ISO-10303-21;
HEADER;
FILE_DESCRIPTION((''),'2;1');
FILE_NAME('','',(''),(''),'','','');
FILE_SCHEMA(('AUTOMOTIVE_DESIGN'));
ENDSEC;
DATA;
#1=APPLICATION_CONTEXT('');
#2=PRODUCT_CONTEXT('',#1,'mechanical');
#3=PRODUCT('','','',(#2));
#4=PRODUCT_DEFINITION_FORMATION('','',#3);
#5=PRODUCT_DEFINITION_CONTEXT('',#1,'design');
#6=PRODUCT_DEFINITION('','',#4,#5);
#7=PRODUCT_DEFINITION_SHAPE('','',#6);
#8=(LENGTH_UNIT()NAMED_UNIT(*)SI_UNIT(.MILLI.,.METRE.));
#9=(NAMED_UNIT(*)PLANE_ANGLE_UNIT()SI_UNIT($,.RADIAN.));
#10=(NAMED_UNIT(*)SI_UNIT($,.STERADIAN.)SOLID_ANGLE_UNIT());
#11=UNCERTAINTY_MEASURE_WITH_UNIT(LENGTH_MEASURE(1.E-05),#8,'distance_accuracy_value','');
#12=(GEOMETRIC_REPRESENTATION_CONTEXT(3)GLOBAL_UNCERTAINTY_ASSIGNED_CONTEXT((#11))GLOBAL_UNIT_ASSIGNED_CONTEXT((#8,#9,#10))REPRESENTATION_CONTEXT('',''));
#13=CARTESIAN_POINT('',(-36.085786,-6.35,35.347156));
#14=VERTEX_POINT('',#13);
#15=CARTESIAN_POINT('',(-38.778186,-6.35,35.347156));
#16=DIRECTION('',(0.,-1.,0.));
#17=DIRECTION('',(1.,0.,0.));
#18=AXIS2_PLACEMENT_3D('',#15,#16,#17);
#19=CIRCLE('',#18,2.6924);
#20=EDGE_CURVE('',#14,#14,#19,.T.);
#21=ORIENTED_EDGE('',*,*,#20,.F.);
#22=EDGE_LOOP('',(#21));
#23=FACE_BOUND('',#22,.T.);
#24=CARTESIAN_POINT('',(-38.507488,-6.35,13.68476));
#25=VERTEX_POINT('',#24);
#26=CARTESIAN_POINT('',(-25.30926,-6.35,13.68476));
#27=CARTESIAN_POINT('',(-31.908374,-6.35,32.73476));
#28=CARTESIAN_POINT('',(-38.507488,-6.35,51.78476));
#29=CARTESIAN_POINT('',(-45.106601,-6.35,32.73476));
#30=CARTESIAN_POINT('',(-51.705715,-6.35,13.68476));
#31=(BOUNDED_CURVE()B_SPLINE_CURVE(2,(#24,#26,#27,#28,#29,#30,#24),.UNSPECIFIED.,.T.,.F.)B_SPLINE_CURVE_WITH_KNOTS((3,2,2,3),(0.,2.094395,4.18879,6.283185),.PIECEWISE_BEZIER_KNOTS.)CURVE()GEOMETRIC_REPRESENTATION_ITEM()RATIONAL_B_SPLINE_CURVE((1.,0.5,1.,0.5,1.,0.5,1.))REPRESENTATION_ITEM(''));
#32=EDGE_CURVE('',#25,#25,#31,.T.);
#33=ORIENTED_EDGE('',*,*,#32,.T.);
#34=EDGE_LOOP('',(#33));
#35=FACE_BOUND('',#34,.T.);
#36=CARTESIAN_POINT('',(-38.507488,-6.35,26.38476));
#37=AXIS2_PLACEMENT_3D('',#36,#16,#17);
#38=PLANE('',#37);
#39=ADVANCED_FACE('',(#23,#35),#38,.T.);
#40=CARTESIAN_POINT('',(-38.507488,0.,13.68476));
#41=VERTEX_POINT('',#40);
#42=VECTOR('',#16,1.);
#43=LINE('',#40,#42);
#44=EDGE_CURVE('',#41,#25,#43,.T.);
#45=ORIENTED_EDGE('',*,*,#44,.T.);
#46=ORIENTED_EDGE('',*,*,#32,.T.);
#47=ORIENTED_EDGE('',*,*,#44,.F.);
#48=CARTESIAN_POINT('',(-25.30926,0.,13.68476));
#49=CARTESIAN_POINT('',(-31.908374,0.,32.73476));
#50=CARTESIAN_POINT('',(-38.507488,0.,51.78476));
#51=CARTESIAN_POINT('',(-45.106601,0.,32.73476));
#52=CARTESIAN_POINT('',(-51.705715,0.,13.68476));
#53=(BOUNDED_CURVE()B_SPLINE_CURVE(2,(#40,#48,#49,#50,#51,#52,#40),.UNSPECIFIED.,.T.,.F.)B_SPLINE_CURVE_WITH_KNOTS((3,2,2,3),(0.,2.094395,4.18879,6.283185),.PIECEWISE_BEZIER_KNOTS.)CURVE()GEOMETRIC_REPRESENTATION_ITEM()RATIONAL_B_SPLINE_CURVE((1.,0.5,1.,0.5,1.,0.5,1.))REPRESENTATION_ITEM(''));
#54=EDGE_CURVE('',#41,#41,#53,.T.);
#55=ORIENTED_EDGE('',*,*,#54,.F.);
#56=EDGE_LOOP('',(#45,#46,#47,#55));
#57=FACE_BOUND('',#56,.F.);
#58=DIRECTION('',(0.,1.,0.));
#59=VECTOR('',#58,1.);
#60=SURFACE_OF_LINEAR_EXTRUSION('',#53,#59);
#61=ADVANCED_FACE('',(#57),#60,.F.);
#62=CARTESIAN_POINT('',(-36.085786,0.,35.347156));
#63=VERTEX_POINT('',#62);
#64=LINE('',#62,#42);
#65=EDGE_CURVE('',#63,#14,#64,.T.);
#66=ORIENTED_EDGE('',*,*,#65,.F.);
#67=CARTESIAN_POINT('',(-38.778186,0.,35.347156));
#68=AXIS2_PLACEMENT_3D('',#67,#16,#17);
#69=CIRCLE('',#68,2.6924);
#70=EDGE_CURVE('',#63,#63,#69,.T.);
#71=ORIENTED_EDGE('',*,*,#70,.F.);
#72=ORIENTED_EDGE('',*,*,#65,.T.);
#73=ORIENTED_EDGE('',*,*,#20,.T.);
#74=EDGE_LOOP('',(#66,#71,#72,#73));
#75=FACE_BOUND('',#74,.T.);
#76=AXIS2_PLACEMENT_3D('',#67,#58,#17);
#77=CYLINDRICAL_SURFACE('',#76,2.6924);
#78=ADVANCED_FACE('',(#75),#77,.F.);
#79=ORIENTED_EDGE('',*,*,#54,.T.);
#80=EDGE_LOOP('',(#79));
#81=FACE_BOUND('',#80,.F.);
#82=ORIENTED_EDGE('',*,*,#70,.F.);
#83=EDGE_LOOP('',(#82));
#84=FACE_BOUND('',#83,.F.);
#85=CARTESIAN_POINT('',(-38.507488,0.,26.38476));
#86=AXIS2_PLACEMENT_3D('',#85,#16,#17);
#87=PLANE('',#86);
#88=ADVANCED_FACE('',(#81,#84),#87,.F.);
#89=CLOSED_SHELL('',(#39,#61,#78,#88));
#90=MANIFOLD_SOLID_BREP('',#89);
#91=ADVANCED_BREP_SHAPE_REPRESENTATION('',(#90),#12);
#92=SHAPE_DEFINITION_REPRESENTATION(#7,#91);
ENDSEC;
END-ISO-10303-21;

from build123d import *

# Parameters (mm, degrees)
F0_R     = 2.6924
F1_DEPTH = 6.35


with BuildPart() as f1:
    # F0 (on Front) → F1 (new body)
    with BuildSketch(Plane.XZ):
        with BuildLine():
            add(Edge.make_bspline(
                [(-38.507488, 13.68476), (-25.30926, 13.68476), (-31.908374, 32.73476), (-38.507488, 51.78476), (-45.106601, 32.73476), (-51.705715, 13.68476), (-38.507488, 13.68476)],
                knots=[0, 0, 0, 2.094395, 2.094395, 4.18879, 4.18879, 6.283185, 6.283185, 6.283185], degree=2, weights=[1, 0.5, 1, 0.5, 1, 0.5, 1]))
        make_face()
        with Locations((-38.778186, 35.347156)):
            Circle(F0_R, mode=Mode.SUBTRACT)
    extrude(amount=F1_DEPTH)


solid = f1.part
